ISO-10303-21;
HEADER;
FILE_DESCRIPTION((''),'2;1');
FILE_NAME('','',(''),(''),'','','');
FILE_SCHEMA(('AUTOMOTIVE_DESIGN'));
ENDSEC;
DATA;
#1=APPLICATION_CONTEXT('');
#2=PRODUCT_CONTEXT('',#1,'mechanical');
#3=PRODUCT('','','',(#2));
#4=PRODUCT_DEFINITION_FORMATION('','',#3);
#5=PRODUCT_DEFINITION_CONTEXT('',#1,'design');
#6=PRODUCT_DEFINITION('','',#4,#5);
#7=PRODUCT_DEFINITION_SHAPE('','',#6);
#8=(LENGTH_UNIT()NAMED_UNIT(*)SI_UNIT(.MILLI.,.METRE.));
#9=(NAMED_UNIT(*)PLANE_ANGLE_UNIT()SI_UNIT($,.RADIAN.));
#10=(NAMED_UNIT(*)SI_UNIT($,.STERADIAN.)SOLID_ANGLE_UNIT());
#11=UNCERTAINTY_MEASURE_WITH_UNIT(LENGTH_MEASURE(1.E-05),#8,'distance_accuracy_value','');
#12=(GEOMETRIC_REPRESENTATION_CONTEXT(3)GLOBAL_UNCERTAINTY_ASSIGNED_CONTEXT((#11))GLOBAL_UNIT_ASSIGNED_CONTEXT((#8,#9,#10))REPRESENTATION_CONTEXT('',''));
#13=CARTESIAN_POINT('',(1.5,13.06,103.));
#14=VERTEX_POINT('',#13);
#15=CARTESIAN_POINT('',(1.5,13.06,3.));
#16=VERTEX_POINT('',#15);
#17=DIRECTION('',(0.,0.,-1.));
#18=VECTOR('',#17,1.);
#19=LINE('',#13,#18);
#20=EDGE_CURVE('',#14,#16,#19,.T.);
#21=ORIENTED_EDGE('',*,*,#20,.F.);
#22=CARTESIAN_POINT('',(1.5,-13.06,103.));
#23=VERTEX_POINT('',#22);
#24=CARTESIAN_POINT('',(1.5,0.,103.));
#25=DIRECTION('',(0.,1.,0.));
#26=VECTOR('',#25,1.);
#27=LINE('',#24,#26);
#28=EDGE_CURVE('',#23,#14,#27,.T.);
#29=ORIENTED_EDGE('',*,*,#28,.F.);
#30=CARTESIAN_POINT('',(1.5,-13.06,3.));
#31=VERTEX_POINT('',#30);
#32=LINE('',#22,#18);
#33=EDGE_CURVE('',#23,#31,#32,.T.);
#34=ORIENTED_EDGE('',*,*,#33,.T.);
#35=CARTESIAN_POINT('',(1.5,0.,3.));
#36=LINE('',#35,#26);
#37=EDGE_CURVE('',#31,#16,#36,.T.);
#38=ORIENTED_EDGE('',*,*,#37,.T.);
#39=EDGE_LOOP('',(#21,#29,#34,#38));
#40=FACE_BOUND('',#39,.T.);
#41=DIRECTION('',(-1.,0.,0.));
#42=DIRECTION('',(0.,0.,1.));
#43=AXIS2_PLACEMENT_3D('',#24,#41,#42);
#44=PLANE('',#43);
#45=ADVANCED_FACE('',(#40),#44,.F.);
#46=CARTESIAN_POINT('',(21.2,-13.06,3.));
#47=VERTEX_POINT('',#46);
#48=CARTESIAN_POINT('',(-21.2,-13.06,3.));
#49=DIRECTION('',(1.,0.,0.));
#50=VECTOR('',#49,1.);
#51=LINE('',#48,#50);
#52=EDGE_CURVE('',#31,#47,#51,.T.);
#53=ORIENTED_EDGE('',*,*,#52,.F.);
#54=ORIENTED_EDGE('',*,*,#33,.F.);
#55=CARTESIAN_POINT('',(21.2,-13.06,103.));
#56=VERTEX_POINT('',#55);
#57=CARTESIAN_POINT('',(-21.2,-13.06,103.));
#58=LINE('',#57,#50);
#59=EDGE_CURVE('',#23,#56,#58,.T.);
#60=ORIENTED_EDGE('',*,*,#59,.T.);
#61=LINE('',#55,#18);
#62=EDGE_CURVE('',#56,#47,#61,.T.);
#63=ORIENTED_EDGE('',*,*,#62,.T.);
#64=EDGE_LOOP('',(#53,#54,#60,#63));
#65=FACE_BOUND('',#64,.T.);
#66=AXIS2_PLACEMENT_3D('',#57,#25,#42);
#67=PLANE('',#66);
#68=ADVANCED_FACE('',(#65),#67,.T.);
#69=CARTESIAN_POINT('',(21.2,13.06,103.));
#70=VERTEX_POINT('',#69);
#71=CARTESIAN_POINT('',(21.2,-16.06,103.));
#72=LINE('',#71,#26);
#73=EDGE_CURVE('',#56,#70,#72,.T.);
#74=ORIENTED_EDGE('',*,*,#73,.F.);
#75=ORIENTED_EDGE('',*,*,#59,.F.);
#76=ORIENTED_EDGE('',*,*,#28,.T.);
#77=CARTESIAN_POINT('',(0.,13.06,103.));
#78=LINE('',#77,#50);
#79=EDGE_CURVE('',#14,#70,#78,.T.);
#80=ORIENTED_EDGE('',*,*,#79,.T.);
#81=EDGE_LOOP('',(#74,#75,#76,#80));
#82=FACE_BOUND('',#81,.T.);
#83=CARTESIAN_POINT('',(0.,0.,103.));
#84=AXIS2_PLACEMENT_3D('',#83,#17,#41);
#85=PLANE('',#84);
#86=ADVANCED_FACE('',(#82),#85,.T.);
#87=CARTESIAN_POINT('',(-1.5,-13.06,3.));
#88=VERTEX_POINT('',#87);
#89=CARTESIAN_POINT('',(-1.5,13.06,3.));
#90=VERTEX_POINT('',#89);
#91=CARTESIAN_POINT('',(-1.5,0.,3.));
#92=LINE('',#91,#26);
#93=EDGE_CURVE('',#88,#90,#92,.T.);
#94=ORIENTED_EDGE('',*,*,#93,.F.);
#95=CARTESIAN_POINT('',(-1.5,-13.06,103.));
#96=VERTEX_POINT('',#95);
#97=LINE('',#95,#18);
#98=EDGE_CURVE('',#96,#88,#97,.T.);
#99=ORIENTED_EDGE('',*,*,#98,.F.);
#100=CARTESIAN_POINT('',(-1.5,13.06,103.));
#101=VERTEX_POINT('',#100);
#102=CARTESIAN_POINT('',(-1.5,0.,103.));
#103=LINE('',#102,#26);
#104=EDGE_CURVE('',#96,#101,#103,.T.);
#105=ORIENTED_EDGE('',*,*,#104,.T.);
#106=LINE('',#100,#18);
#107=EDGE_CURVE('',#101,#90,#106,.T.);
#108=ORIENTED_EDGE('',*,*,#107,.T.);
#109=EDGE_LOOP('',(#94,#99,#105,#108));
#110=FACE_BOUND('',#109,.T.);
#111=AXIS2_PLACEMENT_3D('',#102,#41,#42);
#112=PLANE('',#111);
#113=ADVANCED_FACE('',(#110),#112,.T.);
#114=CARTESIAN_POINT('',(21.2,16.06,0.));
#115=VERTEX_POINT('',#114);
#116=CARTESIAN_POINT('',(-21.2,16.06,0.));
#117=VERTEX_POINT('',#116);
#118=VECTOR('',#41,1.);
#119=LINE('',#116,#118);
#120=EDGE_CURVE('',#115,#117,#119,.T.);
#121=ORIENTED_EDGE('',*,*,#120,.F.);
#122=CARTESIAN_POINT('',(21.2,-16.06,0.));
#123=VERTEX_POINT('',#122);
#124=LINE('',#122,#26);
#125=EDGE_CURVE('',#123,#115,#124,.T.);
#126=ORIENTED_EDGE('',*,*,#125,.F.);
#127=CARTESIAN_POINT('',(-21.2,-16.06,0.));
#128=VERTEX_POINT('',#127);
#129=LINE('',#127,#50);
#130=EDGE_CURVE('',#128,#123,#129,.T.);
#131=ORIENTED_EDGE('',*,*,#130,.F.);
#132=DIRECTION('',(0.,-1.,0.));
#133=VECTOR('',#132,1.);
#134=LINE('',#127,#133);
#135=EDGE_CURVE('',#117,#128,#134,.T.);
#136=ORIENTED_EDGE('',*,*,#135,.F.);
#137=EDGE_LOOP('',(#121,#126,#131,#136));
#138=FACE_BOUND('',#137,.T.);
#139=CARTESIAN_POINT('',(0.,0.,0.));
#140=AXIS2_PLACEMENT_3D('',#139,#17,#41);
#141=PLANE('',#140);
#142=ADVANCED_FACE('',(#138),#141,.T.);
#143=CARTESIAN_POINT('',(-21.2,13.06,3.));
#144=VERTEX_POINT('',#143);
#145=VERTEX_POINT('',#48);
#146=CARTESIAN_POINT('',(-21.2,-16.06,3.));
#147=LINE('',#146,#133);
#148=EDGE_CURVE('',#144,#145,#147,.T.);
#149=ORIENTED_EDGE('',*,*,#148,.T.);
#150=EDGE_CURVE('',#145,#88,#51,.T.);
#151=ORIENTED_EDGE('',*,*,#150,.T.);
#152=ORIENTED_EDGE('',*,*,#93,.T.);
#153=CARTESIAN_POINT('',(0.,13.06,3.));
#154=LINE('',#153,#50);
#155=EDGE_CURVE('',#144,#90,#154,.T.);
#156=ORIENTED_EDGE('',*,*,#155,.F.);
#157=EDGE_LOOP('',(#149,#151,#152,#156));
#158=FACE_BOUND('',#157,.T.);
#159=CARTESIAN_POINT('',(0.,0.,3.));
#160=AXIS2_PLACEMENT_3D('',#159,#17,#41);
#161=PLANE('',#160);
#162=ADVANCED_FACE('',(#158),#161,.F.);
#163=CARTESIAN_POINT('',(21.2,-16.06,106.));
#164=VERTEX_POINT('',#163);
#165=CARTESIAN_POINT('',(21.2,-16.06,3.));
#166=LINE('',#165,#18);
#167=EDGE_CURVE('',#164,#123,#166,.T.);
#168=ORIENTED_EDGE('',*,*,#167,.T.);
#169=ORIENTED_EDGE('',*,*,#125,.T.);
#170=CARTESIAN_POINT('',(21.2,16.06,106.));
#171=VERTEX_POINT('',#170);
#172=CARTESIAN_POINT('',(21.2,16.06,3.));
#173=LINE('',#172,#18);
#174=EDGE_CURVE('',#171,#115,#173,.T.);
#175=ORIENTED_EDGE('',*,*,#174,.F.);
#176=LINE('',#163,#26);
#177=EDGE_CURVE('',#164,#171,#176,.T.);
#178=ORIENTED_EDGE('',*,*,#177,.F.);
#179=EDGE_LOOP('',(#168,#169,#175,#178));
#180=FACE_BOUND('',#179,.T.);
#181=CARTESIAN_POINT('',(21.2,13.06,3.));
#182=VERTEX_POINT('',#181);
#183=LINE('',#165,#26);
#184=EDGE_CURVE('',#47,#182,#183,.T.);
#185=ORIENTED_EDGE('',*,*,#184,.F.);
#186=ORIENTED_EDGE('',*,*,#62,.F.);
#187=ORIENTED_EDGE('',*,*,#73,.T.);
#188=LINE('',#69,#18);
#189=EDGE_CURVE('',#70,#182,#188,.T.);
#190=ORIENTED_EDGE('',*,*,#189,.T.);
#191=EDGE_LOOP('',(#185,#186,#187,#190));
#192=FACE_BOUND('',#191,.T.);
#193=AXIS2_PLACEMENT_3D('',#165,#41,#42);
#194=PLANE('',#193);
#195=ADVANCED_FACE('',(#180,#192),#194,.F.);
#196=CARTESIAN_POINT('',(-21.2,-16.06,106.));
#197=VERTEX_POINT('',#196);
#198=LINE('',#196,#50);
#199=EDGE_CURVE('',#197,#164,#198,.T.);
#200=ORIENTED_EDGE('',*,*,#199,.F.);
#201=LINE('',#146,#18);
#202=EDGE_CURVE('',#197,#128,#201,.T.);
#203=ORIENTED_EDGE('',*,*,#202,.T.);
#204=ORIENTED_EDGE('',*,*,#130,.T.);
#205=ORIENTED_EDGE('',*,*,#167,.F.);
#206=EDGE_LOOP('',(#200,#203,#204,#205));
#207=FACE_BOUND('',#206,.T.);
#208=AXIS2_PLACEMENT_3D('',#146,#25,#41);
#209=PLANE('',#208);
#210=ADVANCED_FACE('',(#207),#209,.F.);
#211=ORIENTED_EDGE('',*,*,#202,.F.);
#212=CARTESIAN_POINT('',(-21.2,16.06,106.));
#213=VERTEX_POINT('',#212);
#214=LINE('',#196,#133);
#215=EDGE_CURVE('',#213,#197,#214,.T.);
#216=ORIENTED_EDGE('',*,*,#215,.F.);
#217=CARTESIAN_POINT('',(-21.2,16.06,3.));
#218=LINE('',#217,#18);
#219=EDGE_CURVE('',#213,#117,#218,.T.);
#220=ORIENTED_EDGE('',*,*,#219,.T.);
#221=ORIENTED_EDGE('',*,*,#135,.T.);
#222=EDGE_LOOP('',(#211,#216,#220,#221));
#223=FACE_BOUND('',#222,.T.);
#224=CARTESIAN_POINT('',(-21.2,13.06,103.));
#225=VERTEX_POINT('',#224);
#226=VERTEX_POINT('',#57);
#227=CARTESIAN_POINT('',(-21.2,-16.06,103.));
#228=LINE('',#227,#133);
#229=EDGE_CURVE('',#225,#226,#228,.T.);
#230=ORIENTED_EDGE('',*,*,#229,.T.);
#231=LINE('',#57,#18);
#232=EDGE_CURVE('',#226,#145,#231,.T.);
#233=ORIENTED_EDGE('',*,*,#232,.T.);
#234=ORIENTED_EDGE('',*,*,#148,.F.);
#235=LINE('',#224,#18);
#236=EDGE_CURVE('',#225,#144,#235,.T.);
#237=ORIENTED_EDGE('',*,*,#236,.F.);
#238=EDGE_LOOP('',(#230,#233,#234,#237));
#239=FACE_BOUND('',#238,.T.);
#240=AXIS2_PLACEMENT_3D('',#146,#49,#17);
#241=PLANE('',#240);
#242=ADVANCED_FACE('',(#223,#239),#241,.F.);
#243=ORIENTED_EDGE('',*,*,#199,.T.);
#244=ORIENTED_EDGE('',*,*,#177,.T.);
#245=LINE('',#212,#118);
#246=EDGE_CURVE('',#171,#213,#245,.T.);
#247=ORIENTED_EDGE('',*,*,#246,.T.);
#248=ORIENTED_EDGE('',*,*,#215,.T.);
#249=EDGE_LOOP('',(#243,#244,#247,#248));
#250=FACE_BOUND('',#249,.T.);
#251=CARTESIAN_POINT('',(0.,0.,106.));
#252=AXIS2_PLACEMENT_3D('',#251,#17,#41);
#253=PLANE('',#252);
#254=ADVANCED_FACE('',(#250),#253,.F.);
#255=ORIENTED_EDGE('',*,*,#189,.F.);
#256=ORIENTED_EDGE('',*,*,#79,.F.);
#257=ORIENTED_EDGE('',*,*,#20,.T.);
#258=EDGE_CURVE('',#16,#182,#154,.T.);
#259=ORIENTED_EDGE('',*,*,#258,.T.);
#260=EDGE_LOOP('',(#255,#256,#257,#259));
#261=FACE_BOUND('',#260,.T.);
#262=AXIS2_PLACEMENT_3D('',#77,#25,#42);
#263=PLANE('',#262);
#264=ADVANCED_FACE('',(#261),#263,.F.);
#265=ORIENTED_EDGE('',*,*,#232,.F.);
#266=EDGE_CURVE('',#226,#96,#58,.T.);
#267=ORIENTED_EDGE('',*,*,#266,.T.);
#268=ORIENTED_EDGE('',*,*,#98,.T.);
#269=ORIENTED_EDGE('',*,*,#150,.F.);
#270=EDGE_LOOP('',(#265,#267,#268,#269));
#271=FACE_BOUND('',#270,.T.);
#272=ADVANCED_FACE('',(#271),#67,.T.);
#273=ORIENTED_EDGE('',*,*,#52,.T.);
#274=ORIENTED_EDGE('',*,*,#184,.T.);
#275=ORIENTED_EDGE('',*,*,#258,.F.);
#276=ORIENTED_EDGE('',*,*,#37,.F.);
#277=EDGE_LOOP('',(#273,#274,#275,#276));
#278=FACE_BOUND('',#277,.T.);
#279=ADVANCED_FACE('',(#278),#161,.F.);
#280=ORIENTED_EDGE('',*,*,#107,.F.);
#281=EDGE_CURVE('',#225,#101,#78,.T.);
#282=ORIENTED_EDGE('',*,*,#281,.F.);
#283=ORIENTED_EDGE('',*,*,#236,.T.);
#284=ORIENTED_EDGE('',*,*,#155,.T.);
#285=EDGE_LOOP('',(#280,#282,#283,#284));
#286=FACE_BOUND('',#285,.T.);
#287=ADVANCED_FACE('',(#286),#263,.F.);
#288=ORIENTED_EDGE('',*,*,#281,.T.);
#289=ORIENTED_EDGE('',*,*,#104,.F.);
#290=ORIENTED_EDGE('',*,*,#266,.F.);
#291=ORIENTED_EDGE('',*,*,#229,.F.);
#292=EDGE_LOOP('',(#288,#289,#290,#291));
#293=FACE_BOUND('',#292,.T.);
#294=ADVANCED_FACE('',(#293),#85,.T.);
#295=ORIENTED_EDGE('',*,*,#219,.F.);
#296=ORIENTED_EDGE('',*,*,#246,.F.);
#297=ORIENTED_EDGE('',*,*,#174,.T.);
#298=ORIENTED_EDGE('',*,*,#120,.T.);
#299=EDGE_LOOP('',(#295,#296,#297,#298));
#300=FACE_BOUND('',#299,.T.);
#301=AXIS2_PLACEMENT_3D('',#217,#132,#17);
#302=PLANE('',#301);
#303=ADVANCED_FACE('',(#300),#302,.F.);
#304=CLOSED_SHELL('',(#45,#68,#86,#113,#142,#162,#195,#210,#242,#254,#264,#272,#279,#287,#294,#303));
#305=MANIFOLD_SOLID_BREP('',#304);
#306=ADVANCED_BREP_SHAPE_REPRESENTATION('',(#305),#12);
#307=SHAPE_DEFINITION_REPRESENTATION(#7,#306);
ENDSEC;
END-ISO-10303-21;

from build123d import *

# Parameters (mm, degrees)
SKETCH1_W           = 42.4
SKETCH1_H           = 32.12
BOSS_EXTRUDE1_DEPTH = 3
BOSS_EXTRUDE2_DEPTH = 100
SKETCH3_W           = 42.4
SKETCH3_H           = 32.12
BOSS_EXTRUDE3_DEPTH = 3


with BuildPart() as part:
    # Sketch1 → Boss-Extrude1 (new body)
    with BuildSketch(Plane.XY):
        Rectangle(SKETCH1_W, SKETCH1_H)
    extrude(amount=BOSS_EXTRUDE1_DEPTH)

    # Sketch2 → Boss-Extrude2 (add)
    with BuildSketch(Plane.XY.offset(3)):
        Polygon((-21.2, 16.06), (-21.2, 13.06), (-1.5, 13.06), (-1.5, -13.06), (-21.2, -13.06), (-21.2, -16.06), (21.2, -16.06), (21.2, -13.06), (1.5, -13.06), (1.5, 13.06), (21.2, 13.06), (21.2, 16.06), align=None)
    extrude(amount=BOSS_EXTRUDE2_DEPTH)

    # Sketch3 → Boss-Extrude3 (add)
    with BuildSketch(Plane.XY.offset(103)):
        Rectangle(SKETCH3_W, SKETCH3_H)
    extrude(amount=BOSS_EXTRUDE3_DEPTH)


solid = part.part
